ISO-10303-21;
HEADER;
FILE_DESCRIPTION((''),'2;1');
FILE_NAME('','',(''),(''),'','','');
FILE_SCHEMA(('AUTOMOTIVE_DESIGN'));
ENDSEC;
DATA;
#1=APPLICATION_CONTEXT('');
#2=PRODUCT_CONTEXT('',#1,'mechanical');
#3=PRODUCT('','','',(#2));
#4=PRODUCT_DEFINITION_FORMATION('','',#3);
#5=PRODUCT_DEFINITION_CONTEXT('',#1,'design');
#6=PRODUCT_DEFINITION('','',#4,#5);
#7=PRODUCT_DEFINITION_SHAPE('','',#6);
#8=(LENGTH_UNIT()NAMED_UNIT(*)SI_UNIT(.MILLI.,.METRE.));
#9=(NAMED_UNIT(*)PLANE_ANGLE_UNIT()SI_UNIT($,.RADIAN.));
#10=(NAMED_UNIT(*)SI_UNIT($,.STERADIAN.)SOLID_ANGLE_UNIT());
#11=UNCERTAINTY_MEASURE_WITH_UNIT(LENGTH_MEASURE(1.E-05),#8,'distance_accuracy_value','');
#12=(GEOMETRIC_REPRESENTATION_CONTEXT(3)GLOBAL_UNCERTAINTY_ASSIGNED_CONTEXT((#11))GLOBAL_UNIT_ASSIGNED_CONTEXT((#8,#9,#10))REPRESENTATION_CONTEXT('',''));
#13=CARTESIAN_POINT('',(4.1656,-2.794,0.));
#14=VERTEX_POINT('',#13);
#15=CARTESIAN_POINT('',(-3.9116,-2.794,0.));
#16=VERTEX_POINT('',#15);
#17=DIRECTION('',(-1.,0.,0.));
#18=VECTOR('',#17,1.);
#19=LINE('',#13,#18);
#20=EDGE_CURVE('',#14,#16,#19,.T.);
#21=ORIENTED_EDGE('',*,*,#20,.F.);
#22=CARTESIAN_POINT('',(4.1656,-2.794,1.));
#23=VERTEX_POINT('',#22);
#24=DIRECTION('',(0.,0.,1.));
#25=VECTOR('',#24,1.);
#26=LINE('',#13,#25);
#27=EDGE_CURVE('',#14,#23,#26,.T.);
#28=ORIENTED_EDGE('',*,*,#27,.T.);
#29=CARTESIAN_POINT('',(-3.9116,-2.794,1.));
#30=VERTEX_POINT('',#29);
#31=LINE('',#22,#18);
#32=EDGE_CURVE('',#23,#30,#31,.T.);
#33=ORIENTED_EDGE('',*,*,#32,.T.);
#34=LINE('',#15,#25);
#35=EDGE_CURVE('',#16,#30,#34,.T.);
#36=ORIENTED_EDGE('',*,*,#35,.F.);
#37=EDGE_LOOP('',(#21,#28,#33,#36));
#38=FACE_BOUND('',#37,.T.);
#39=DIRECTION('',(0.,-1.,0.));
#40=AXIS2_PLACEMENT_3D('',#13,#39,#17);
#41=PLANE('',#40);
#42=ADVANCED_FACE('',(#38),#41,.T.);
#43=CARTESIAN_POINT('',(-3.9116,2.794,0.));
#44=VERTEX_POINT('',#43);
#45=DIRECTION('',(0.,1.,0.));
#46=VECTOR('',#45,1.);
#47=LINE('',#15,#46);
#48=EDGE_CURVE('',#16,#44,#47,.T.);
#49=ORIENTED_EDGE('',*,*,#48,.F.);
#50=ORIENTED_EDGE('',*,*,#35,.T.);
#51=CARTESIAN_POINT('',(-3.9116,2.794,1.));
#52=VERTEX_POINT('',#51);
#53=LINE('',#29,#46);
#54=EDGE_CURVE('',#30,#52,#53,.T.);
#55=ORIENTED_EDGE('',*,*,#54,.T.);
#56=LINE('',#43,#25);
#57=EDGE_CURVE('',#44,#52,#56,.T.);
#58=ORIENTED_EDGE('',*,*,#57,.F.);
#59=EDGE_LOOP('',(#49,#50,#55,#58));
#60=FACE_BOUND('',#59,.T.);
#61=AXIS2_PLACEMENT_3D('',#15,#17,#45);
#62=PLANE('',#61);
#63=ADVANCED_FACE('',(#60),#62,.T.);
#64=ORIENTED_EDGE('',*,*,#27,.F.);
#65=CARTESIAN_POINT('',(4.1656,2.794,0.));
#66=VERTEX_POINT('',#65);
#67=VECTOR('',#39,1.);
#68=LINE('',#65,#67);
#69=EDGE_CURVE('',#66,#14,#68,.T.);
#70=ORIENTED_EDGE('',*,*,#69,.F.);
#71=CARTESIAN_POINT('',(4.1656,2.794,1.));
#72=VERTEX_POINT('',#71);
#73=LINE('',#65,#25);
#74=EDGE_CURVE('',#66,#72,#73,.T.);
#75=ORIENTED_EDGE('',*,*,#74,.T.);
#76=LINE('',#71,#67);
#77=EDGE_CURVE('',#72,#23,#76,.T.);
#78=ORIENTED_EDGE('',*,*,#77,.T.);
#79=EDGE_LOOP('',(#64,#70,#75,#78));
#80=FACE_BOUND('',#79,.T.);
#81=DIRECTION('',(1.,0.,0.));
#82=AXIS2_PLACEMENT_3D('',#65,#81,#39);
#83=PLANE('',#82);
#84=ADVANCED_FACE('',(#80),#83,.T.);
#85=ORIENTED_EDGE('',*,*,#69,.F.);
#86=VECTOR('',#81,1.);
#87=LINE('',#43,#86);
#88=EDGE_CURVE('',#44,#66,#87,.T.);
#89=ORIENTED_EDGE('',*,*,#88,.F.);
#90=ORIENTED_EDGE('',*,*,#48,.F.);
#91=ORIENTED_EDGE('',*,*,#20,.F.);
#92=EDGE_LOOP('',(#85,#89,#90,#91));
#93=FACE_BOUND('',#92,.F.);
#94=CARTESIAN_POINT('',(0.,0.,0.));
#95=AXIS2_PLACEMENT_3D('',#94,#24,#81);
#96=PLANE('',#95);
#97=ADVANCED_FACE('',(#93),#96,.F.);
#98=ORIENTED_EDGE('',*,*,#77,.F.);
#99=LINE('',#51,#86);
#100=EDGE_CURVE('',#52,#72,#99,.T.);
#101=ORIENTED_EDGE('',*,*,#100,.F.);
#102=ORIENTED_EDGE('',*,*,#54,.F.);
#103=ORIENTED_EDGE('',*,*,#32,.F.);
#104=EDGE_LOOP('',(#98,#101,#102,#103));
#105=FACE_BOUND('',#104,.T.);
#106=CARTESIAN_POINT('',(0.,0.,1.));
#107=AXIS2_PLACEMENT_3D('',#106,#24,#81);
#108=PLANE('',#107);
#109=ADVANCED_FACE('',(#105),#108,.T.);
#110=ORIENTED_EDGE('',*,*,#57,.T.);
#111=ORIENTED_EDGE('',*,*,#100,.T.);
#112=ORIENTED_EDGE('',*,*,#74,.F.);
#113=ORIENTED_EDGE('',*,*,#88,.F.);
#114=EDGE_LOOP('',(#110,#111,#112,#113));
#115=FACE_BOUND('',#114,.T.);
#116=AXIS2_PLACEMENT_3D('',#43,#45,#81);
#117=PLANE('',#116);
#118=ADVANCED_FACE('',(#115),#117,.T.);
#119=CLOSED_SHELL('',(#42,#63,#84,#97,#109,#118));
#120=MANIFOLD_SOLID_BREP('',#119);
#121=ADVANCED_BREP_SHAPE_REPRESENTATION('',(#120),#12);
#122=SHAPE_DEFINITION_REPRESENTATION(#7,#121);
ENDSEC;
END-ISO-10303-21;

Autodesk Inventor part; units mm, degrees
ref_plane "YZ Plane" through (0, 0, 0) normal (1, 0, 0) x (0, 1, 0)
ref_plane "XZ Plane" through (0, 0, 0) normal (0, 1, 0) x (-1, 0, 0)
ref_plane "XY Plane" through (0, 0, 0) normal (0, 0, 1) x (1, 0, 0)
sketch "SOP65P640X110-16N, PCA9534PW_116" plane through (0, 0, 0) normal (0, 0, 1) x (1, 0, 0)
  line L0 (-3.9116, 2.794) -> (4.1656, 2.794)
  line L1 (4.1656, 2.794) -> (4.1656, -2.794)
  line L2 (4.1656, -2.794) -> (-3.9116, -2.794)
  line L3 (-3.9116, -2.794) -> (-3.9116, 2.794)
extrude "Extrusion1" add sketch "SOP65P640X110-16N, PCA9534PW_116" along normal blind 1
properties part number "PCA9534PW"
